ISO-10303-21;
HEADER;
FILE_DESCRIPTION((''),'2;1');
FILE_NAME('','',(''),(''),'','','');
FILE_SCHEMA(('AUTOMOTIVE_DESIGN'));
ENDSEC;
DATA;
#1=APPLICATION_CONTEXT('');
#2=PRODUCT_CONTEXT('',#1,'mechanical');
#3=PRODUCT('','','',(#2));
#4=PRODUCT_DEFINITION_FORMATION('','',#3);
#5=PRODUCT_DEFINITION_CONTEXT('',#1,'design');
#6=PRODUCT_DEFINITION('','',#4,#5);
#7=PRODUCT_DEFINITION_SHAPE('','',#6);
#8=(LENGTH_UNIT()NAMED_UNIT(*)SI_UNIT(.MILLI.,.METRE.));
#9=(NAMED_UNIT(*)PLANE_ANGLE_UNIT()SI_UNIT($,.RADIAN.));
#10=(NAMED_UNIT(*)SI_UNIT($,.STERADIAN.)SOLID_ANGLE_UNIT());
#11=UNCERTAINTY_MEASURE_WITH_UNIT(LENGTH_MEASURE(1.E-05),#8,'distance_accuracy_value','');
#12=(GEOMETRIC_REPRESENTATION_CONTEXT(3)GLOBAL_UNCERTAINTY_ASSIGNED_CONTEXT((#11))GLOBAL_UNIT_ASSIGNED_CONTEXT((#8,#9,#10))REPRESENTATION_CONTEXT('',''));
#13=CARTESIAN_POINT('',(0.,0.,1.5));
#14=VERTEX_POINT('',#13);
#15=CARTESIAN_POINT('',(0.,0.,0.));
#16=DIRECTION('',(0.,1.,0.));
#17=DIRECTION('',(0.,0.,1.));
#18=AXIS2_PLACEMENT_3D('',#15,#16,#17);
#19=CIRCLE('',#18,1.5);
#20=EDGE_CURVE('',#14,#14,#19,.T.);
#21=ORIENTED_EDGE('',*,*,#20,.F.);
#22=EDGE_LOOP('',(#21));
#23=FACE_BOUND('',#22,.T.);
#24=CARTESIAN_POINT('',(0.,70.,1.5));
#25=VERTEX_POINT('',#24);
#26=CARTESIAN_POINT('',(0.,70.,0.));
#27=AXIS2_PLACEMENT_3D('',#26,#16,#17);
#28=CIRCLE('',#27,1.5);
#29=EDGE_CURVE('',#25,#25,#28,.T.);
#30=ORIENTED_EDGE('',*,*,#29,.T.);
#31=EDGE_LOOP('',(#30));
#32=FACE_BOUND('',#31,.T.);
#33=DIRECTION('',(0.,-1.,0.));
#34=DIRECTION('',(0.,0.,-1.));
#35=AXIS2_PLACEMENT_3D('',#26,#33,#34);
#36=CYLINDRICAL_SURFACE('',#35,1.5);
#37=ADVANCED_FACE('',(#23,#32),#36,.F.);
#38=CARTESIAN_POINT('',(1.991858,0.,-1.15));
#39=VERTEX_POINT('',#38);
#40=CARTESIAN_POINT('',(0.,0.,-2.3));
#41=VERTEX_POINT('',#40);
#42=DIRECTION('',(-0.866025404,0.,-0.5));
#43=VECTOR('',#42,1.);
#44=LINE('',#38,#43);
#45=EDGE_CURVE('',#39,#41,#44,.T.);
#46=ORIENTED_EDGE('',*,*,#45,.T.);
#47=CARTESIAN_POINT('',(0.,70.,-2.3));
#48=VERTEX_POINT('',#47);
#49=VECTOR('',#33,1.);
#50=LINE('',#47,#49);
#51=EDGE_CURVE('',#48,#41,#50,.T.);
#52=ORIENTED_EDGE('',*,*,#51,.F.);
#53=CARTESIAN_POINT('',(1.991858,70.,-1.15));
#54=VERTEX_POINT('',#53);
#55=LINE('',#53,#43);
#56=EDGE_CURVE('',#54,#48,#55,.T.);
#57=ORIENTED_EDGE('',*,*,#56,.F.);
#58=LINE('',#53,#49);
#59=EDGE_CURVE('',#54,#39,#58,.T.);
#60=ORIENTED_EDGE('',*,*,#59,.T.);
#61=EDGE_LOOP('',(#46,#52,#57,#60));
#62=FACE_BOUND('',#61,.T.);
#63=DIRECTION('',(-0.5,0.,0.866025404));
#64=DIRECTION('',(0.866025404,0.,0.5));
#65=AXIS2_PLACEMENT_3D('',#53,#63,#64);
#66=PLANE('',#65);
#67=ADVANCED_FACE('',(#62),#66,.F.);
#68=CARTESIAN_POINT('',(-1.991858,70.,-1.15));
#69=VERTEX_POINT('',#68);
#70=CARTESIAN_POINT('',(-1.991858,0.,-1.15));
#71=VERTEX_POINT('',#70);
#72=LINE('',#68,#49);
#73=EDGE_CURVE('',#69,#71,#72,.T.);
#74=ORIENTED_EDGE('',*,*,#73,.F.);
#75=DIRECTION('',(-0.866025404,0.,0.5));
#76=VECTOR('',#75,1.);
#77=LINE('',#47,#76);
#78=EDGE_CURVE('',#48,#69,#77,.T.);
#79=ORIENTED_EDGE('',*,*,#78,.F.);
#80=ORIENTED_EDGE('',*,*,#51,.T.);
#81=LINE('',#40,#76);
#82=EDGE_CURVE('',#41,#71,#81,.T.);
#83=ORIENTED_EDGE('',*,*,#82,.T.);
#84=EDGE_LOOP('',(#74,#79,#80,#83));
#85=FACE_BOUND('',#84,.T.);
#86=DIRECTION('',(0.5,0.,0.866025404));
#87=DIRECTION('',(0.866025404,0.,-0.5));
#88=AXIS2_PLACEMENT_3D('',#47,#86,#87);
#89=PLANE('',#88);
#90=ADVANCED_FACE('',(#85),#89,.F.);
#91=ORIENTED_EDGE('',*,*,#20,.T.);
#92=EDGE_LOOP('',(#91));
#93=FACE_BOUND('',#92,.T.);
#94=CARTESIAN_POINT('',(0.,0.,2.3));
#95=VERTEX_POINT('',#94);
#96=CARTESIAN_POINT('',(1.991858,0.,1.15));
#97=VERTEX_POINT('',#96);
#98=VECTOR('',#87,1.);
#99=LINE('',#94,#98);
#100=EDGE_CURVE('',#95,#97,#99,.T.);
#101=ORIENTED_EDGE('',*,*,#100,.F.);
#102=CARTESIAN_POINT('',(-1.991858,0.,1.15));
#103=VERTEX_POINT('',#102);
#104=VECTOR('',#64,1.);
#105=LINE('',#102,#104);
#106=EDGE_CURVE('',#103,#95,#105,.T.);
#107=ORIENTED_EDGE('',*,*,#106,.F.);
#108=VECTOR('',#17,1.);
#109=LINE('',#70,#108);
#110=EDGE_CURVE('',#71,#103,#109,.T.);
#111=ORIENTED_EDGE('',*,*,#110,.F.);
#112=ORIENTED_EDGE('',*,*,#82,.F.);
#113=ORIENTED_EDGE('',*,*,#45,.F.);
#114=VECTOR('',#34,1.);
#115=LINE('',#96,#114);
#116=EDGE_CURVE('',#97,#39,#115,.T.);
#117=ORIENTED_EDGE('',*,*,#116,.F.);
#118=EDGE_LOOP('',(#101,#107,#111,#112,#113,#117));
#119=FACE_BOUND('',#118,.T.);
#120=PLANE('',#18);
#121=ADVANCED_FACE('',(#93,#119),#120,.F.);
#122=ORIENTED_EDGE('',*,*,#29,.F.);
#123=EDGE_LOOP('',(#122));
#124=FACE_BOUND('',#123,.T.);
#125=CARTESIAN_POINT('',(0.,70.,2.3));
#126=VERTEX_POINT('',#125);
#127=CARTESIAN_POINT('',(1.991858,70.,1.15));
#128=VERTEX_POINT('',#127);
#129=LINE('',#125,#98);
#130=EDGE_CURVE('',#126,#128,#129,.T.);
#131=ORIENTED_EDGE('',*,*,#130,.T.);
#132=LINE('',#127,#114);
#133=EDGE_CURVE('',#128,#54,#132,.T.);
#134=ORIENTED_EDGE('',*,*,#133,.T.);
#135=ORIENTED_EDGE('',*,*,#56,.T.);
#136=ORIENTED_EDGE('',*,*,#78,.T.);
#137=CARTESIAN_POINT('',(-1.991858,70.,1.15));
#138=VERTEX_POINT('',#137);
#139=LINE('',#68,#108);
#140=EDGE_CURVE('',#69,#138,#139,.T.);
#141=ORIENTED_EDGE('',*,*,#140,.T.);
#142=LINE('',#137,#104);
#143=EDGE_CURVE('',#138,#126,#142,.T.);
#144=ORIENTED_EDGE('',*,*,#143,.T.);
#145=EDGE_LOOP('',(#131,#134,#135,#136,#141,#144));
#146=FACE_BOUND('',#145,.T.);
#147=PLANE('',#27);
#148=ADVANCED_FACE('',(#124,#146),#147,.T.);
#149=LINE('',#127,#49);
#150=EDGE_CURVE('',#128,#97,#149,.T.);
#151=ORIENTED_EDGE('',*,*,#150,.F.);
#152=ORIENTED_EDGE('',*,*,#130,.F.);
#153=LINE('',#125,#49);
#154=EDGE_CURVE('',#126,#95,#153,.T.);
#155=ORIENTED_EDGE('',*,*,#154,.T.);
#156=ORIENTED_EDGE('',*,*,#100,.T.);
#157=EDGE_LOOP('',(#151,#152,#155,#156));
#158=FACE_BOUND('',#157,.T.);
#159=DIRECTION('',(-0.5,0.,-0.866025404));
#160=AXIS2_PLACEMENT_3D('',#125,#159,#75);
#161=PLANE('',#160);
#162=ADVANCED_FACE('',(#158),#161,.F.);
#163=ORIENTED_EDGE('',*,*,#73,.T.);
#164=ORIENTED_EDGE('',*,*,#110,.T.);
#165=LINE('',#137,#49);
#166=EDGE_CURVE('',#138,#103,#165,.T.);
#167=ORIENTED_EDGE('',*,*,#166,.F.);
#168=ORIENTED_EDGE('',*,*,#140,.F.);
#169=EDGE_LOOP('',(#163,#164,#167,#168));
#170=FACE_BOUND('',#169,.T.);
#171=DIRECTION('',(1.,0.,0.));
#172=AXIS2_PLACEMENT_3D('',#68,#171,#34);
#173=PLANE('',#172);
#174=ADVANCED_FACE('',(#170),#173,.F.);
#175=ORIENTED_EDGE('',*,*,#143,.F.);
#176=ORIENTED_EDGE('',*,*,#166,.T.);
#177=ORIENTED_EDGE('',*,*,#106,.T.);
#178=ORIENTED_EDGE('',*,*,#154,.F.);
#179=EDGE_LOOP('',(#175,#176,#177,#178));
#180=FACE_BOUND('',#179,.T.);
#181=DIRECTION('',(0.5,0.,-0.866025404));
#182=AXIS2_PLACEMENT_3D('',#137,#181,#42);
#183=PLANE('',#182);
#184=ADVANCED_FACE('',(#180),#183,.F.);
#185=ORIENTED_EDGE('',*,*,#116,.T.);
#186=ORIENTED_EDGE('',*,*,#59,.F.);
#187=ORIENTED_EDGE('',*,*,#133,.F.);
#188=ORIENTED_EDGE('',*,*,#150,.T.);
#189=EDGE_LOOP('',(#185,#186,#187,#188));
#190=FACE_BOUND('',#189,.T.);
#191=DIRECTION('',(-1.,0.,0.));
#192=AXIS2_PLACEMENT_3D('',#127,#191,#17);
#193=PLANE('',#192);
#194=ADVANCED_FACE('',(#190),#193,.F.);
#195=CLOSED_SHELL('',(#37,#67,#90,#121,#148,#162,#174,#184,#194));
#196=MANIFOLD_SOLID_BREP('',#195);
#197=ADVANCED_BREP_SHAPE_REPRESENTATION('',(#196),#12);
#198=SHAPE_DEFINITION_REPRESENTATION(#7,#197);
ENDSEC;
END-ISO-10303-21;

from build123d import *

# Parameters (mm, degrees)
SKETCH_1_R      = 1.5
EXTRUDE_1_DEPTH = 70


with BuildPart() as part:
    # 草图1 → 凸台-拉伸1 (new body)
    with BuildSketch(Plane(origin=(0, 0, 0), x_dir=(1, 0, 0), z_dir=(0, 1, 0))):
        Polygon((0, 2.3), (-1.991858429, 1.15), (-1.991858429, -1.15), (0, -2.3), (1.991858429, -1.15), (1.991858429, 1.15), align=None)
        with Locations(Location((0, 0, 0), (0, 0, 270))):
            Circle(SKETCH_1_R, mode=Mode.SUBTRACT)
    extrude(amount=EXTRUDE_1_DEPTH)


solid = part.part
